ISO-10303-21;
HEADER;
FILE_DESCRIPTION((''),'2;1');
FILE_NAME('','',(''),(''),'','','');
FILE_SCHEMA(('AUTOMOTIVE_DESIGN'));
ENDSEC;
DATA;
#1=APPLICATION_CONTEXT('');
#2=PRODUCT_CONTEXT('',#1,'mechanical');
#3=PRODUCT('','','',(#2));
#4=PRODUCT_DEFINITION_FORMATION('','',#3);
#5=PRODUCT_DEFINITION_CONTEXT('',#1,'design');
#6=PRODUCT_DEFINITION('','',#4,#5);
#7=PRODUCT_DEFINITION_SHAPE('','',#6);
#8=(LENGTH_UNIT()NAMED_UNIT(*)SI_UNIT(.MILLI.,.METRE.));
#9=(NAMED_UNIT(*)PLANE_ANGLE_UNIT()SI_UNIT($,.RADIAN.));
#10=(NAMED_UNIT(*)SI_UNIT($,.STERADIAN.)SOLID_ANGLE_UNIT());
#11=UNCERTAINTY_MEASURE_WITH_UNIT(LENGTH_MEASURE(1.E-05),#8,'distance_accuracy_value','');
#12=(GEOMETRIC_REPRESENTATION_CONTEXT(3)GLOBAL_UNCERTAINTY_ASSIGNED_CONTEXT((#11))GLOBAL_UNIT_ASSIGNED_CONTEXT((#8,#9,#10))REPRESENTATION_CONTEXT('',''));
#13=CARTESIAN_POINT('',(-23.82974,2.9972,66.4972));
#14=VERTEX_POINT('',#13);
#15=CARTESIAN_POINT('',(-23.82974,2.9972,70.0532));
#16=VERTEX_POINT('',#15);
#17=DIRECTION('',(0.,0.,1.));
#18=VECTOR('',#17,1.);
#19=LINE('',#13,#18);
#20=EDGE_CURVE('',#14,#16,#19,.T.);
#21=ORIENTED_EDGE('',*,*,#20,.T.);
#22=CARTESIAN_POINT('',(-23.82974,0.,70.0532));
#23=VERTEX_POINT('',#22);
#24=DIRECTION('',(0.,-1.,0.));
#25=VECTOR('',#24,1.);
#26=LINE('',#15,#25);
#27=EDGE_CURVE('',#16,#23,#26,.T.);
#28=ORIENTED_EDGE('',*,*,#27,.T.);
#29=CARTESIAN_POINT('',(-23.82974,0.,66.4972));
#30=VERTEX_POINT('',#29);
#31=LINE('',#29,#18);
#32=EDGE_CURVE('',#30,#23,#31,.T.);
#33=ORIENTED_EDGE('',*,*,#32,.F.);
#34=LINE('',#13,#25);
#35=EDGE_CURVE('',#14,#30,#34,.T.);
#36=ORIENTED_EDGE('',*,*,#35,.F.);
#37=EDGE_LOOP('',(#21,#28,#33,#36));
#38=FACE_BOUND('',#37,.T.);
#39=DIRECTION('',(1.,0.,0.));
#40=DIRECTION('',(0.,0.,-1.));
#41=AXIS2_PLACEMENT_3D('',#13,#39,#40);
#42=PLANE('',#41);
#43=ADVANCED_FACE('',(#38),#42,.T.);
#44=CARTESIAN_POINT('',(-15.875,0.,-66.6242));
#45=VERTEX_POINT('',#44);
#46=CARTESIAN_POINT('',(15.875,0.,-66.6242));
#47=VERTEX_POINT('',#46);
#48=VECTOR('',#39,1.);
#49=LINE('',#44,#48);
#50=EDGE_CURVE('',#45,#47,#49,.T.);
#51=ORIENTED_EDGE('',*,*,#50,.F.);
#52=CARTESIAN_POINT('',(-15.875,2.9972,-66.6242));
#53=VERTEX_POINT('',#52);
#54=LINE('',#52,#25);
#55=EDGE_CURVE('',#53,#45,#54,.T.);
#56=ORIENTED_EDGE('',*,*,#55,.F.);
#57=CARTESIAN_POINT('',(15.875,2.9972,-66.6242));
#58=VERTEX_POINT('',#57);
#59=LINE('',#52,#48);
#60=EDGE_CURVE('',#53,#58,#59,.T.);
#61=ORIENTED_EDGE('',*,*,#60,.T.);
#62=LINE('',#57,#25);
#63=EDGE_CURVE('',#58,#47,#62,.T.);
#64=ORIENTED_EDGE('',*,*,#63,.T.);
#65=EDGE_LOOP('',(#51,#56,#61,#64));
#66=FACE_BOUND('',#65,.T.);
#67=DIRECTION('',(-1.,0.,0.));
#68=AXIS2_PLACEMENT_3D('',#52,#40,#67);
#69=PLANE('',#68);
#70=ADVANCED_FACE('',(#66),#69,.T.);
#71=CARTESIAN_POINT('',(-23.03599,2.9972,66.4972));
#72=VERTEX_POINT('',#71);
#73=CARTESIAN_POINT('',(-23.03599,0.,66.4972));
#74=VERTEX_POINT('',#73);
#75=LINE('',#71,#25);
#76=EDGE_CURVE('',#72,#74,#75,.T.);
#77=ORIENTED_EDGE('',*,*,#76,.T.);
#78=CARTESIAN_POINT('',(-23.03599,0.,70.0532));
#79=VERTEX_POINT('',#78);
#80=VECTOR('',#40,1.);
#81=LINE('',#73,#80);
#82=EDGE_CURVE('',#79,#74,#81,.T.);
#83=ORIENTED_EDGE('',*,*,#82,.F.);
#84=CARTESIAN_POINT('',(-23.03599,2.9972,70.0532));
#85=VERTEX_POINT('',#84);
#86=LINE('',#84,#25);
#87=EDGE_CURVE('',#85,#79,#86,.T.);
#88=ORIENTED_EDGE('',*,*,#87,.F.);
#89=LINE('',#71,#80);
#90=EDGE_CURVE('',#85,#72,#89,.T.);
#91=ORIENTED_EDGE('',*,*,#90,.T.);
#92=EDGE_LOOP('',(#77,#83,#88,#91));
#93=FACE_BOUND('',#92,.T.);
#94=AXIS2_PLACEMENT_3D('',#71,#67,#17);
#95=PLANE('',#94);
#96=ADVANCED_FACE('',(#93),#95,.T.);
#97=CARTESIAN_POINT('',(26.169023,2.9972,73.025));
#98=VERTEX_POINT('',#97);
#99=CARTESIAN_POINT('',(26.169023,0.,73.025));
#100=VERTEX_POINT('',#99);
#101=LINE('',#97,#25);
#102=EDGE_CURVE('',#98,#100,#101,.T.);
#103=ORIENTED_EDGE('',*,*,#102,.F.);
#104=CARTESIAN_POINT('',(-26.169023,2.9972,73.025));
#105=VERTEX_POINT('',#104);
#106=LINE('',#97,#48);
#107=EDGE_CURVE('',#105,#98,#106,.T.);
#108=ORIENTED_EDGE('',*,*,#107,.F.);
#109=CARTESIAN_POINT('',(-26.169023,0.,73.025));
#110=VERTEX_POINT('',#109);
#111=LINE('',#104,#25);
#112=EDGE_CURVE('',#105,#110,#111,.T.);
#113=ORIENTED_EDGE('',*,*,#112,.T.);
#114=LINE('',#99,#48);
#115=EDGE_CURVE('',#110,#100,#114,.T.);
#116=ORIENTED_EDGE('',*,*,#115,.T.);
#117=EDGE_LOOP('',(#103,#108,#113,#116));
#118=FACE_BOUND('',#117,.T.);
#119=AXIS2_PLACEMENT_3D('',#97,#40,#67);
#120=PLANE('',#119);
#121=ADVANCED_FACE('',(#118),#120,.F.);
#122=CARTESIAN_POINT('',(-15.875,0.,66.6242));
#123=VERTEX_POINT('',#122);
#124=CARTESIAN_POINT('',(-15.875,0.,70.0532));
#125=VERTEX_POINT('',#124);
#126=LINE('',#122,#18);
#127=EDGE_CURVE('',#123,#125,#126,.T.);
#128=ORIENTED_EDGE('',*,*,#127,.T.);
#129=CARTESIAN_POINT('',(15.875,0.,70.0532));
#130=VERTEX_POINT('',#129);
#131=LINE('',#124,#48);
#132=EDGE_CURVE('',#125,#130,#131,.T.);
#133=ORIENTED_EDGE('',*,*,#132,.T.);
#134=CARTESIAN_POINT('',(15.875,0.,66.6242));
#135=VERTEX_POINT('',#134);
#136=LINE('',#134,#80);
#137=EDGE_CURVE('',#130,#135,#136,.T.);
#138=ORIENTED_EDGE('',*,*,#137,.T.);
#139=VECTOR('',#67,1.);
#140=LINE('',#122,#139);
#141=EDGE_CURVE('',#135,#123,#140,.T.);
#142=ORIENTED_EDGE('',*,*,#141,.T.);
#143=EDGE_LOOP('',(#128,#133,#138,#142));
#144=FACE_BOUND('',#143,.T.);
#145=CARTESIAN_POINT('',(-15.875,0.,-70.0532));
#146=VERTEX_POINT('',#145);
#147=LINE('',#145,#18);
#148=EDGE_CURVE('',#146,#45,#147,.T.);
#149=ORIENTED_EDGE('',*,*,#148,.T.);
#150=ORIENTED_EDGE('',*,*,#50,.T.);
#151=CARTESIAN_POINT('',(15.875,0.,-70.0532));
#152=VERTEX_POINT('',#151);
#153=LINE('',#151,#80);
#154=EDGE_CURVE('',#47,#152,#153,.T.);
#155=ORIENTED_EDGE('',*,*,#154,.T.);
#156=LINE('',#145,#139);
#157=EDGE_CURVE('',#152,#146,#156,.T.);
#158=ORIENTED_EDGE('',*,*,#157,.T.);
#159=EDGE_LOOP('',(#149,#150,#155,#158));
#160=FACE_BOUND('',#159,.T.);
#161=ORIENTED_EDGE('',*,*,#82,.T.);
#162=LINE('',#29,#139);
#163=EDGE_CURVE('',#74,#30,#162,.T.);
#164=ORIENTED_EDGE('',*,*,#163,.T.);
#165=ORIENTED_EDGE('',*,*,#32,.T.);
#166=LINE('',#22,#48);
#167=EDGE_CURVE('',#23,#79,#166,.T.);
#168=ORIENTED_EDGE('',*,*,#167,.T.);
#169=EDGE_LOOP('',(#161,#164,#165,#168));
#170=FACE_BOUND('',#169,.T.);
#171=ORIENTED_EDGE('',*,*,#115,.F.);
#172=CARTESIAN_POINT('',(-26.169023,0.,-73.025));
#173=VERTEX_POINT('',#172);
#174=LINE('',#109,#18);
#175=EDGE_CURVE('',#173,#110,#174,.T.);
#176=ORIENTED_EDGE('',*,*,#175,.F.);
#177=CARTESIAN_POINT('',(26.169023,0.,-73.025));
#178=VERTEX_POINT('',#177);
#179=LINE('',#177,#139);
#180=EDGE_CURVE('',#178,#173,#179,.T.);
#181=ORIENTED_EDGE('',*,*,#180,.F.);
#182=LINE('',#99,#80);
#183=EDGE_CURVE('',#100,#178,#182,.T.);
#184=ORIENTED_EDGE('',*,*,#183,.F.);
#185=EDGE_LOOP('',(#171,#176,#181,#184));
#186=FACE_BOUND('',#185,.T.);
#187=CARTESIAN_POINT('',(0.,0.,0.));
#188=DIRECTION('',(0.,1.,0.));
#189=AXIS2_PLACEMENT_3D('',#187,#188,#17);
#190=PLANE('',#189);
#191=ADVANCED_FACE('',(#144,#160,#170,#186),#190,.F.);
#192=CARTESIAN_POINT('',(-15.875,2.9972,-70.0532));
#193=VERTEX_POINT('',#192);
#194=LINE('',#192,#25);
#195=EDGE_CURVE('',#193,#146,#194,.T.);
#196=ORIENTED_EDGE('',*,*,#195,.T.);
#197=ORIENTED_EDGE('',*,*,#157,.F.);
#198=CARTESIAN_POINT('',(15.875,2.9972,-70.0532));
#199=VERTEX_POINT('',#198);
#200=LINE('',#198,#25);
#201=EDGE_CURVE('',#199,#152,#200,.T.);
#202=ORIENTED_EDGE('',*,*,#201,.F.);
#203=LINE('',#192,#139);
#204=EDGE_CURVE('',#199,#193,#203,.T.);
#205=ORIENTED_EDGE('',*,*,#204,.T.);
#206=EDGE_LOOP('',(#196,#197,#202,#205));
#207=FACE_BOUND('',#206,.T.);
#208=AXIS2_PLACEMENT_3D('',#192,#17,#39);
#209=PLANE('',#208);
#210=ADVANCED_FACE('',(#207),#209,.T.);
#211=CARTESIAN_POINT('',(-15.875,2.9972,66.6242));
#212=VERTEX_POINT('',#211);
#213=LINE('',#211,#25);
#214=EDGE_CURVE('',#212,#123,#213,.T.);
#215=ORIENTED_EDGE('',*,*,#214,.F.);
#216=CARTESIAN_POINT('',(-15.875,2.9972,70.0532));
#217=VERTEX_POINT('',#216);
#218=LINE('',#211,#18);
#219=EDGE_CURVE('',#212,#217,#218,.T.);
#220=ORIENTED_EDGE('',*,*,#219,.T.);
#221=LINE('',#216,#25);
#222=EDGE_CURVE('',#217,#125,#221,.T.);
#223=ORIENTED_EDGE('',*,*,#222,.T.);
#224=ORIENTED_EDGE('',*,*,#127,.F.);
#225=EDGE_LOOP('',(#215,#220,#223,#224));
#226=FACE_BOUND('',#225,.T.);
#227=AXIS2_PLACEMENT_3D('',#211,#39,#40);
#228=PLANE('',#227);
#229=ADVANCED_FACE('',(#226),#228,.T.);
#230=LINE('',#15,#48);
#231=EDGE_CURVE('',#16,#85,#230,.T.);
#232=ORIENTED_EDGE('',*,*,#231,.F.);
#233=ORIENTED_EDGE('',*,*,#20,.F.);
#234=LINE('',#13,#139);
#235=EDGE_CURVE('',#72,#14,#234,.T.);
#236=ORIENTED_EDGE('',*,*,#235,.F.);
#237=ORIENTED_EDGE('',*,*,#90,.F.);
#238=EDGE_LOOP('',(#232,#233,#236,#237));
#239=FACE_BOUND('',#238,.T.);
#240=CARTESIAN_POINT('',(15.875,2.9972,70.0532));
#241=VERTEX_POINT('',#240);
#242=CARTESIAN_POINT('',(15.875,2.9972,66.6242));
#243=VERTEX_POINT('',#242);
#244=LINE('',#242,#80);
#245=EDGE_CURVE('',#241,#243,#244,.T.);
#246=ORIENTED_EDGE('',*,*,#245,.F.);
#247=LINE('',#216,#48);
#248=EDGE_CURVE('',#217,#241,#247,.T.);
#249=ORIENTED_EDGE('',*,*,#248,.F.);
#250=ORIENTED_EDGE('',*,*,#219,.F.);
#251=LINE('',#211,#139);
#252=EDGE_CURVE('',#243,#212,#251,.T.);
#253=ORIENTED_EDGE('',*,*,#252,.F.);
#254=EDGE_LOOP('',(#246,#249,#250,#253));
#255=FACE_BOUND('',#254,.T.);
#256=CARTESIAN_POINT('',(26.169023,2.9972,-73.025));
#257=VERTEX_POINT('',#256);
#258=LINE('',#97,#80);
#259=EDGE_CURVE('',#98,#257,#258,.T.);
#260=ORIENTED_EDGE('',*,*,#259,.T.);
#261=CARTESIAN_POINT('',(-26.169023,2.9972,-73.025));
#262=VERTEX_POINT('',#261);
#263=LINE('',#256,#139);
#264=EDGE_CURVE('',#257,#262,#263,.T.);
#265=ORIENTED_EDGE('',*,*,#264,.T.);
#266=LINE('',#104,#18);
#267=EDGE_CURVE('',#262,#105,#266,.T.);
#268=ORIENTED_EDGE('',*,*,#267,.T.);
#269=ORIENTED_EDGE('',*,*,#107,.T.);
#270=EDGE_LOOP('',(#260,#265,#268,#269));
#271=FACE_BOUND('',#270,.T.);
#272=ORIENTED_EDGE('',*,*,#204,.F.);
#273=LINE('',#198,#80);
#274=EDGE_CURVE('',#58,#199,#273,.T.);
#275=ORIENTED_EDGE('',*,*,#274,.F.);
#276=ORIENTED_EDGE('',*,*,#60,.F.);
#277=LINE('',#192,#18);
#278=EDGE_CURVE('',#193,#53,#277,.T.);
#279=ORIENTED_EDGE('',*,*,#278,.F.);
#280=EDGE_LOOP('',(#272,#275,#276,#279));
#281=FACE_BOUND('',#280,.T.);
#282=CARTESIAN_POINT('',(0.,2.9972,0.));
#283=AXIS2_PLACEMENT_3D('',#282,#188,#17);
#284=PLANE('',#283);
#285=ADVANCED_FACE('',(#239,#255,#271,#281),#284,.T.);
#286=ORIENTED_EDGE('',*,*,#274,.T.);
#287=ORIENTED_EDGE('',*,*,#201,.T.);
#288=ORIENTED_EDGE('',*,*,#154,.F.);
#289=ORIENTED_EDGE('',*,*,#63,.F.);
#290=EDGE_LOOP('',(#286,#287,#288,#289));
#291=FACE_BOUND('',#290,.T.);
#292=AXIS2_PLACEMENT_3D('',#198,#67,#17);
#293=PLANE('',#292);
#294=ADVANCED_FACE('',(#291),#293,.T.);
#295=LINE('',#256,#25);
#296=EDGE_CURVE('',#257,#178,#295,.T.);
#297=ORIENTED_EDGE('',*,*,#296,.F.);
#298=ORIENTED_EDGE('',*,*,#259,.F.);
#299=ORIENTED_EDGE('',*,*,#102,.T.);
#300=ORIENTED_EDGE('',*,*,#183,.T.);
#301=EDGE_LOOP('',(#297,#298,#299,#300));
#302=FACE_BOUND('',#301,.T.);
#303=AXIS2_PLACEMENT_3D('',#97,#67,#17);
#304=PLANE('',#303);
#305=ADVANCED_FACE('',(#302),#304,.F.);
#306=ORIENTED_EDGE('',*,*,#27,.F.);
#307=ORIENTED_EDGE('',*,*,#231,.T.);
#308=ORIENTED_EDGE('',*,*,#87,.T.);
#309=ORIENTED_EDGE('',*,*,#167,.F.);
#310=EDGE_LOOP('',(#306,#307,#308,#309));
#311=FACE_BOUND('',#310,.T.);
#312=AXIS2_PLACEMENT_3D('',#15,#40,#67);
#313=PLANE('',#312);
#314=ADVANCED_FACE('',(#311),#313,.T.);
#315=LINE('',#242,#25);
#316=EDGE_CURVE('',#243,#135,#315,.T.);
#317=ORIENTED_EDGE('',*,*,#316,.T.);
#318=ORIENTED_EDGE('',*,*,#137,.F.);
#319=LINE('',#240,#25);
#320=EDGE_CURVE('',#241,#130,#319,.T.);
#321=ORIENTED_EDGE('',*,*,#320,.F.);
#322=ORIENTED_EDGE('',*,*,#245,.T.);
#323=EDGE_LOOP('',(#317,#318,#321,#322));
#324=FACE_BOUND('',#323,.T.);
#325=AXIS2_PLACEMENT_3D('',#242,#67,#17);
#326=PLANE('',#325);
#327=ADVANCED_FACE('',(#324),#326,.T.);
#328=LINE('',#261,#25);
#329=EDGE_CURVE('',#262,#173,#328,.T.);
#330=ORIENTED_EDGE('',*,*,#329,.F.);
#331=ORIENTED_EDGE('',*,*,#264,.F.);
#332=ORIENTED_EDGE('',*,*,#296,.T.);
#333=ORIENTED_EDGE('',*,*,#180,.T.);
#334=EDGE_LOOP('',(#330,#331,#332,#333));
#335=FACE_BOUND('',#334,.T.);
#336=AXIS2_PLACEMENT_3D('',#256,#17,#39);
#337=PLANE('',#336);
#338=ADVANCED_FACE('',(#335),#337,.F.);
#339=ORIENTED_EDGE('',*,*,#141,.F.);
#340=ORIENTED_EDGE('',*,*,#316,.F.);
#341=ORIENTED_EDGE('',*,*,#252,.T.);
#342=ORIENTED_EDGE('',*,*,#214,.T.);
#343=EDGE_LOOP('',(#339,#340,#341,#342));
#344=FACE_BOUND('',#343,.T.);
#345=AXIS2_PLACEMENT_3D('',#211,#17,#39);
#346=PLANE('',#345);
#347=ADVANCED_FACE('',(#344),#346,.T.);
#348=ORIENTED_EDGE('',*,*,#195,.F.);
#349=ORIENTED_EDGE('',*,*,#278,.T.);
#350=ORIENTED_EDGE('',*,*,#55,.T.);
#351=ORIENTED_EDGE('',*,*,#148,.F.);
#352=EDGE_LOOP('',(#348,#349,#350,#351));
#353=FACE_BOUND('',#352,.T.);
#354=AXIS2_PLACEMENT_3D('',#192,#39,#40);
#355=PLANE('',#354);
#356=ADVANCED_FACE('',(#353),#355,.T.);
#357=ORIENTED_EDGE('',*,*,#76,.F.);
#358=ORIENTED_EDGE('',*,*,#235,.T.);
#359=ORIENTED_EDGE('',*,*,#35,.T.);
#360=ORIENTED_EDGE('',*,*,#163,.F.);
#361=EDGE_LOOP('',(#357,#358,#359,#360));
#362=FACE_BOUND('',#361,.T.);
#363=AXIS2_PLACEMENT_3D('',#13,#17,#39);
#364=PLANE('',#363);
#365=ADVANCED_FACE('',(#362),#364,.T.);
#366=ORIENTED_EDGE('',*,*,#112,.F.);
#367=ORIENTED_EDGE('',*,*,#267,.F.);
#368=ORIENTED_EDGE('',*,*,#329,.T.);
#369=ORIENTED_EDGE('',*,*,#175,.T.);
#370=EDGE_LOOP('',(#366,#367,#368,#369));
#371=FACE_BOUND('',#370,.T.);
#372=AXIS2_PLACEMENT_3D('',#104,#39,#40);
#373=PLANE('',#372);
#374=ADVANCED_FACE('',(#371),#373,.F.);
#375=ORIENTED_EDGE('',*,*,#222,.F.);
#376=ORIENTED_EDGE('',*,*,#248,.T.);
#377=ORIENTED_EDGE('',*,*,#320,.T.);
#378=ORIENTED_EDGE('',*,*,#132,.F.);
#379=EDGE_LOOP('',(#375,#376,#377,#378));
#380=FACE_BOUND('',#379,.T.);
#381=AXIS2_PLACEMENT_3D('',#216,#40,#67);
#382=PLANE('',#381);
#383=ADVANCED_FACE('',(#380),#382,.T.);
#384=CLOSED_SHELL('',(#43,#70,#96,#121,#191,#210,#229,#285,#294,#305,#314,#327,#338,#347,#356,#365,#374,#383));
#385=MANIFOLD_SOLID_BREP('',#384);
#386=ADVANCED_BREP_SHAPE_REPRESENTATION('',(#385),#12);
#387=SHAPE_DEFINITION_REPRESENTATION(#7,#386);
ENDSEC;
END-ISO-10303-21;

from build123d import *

# Parameters (mm, degrees)
SKETCH1_W           = 52.3380462
SKETCH1_H           = 146.05
SKETCH1_W_2         = 31.75
SKETCH1_H_2         = 3.429
SKETCH1_W_3         = 0.79375
SKETCH1_H_3         = 3.556
BOSS_EXTRUDE1_DEPTH = 2.9972


with BuildPart() as part:
    # Sketch1 → Boss-Extrude1 (new body)
    with BuildSketch(Plane(origin=(0, 0, 0), x_dir=(1, 0, 0), z_dir=(0, 1, 0))):
        Rectangle(SKETCH1_W, SKETCH1_H)
        with Locations((0, 68.3387)):
            Rectangle(SKETCH1_W_2, SKETCH1_H_2, mode=Mode.SUBTRACT)
        with Locations((0, -68.3387)):
            Rectangle(SKETCH1_W_2, SKETCH1_H_2, mode=Mode.SUBTRACT)
        with Locations((-23.432864992, -68.2752)):
            Rectangle(SKETCH1_W_3, SKETCH1_H_3, mode=Mode.SUBTRACT)
    extrude(amount=BOSS_EXTRUDE1_DEPTH)


solid = part.part
